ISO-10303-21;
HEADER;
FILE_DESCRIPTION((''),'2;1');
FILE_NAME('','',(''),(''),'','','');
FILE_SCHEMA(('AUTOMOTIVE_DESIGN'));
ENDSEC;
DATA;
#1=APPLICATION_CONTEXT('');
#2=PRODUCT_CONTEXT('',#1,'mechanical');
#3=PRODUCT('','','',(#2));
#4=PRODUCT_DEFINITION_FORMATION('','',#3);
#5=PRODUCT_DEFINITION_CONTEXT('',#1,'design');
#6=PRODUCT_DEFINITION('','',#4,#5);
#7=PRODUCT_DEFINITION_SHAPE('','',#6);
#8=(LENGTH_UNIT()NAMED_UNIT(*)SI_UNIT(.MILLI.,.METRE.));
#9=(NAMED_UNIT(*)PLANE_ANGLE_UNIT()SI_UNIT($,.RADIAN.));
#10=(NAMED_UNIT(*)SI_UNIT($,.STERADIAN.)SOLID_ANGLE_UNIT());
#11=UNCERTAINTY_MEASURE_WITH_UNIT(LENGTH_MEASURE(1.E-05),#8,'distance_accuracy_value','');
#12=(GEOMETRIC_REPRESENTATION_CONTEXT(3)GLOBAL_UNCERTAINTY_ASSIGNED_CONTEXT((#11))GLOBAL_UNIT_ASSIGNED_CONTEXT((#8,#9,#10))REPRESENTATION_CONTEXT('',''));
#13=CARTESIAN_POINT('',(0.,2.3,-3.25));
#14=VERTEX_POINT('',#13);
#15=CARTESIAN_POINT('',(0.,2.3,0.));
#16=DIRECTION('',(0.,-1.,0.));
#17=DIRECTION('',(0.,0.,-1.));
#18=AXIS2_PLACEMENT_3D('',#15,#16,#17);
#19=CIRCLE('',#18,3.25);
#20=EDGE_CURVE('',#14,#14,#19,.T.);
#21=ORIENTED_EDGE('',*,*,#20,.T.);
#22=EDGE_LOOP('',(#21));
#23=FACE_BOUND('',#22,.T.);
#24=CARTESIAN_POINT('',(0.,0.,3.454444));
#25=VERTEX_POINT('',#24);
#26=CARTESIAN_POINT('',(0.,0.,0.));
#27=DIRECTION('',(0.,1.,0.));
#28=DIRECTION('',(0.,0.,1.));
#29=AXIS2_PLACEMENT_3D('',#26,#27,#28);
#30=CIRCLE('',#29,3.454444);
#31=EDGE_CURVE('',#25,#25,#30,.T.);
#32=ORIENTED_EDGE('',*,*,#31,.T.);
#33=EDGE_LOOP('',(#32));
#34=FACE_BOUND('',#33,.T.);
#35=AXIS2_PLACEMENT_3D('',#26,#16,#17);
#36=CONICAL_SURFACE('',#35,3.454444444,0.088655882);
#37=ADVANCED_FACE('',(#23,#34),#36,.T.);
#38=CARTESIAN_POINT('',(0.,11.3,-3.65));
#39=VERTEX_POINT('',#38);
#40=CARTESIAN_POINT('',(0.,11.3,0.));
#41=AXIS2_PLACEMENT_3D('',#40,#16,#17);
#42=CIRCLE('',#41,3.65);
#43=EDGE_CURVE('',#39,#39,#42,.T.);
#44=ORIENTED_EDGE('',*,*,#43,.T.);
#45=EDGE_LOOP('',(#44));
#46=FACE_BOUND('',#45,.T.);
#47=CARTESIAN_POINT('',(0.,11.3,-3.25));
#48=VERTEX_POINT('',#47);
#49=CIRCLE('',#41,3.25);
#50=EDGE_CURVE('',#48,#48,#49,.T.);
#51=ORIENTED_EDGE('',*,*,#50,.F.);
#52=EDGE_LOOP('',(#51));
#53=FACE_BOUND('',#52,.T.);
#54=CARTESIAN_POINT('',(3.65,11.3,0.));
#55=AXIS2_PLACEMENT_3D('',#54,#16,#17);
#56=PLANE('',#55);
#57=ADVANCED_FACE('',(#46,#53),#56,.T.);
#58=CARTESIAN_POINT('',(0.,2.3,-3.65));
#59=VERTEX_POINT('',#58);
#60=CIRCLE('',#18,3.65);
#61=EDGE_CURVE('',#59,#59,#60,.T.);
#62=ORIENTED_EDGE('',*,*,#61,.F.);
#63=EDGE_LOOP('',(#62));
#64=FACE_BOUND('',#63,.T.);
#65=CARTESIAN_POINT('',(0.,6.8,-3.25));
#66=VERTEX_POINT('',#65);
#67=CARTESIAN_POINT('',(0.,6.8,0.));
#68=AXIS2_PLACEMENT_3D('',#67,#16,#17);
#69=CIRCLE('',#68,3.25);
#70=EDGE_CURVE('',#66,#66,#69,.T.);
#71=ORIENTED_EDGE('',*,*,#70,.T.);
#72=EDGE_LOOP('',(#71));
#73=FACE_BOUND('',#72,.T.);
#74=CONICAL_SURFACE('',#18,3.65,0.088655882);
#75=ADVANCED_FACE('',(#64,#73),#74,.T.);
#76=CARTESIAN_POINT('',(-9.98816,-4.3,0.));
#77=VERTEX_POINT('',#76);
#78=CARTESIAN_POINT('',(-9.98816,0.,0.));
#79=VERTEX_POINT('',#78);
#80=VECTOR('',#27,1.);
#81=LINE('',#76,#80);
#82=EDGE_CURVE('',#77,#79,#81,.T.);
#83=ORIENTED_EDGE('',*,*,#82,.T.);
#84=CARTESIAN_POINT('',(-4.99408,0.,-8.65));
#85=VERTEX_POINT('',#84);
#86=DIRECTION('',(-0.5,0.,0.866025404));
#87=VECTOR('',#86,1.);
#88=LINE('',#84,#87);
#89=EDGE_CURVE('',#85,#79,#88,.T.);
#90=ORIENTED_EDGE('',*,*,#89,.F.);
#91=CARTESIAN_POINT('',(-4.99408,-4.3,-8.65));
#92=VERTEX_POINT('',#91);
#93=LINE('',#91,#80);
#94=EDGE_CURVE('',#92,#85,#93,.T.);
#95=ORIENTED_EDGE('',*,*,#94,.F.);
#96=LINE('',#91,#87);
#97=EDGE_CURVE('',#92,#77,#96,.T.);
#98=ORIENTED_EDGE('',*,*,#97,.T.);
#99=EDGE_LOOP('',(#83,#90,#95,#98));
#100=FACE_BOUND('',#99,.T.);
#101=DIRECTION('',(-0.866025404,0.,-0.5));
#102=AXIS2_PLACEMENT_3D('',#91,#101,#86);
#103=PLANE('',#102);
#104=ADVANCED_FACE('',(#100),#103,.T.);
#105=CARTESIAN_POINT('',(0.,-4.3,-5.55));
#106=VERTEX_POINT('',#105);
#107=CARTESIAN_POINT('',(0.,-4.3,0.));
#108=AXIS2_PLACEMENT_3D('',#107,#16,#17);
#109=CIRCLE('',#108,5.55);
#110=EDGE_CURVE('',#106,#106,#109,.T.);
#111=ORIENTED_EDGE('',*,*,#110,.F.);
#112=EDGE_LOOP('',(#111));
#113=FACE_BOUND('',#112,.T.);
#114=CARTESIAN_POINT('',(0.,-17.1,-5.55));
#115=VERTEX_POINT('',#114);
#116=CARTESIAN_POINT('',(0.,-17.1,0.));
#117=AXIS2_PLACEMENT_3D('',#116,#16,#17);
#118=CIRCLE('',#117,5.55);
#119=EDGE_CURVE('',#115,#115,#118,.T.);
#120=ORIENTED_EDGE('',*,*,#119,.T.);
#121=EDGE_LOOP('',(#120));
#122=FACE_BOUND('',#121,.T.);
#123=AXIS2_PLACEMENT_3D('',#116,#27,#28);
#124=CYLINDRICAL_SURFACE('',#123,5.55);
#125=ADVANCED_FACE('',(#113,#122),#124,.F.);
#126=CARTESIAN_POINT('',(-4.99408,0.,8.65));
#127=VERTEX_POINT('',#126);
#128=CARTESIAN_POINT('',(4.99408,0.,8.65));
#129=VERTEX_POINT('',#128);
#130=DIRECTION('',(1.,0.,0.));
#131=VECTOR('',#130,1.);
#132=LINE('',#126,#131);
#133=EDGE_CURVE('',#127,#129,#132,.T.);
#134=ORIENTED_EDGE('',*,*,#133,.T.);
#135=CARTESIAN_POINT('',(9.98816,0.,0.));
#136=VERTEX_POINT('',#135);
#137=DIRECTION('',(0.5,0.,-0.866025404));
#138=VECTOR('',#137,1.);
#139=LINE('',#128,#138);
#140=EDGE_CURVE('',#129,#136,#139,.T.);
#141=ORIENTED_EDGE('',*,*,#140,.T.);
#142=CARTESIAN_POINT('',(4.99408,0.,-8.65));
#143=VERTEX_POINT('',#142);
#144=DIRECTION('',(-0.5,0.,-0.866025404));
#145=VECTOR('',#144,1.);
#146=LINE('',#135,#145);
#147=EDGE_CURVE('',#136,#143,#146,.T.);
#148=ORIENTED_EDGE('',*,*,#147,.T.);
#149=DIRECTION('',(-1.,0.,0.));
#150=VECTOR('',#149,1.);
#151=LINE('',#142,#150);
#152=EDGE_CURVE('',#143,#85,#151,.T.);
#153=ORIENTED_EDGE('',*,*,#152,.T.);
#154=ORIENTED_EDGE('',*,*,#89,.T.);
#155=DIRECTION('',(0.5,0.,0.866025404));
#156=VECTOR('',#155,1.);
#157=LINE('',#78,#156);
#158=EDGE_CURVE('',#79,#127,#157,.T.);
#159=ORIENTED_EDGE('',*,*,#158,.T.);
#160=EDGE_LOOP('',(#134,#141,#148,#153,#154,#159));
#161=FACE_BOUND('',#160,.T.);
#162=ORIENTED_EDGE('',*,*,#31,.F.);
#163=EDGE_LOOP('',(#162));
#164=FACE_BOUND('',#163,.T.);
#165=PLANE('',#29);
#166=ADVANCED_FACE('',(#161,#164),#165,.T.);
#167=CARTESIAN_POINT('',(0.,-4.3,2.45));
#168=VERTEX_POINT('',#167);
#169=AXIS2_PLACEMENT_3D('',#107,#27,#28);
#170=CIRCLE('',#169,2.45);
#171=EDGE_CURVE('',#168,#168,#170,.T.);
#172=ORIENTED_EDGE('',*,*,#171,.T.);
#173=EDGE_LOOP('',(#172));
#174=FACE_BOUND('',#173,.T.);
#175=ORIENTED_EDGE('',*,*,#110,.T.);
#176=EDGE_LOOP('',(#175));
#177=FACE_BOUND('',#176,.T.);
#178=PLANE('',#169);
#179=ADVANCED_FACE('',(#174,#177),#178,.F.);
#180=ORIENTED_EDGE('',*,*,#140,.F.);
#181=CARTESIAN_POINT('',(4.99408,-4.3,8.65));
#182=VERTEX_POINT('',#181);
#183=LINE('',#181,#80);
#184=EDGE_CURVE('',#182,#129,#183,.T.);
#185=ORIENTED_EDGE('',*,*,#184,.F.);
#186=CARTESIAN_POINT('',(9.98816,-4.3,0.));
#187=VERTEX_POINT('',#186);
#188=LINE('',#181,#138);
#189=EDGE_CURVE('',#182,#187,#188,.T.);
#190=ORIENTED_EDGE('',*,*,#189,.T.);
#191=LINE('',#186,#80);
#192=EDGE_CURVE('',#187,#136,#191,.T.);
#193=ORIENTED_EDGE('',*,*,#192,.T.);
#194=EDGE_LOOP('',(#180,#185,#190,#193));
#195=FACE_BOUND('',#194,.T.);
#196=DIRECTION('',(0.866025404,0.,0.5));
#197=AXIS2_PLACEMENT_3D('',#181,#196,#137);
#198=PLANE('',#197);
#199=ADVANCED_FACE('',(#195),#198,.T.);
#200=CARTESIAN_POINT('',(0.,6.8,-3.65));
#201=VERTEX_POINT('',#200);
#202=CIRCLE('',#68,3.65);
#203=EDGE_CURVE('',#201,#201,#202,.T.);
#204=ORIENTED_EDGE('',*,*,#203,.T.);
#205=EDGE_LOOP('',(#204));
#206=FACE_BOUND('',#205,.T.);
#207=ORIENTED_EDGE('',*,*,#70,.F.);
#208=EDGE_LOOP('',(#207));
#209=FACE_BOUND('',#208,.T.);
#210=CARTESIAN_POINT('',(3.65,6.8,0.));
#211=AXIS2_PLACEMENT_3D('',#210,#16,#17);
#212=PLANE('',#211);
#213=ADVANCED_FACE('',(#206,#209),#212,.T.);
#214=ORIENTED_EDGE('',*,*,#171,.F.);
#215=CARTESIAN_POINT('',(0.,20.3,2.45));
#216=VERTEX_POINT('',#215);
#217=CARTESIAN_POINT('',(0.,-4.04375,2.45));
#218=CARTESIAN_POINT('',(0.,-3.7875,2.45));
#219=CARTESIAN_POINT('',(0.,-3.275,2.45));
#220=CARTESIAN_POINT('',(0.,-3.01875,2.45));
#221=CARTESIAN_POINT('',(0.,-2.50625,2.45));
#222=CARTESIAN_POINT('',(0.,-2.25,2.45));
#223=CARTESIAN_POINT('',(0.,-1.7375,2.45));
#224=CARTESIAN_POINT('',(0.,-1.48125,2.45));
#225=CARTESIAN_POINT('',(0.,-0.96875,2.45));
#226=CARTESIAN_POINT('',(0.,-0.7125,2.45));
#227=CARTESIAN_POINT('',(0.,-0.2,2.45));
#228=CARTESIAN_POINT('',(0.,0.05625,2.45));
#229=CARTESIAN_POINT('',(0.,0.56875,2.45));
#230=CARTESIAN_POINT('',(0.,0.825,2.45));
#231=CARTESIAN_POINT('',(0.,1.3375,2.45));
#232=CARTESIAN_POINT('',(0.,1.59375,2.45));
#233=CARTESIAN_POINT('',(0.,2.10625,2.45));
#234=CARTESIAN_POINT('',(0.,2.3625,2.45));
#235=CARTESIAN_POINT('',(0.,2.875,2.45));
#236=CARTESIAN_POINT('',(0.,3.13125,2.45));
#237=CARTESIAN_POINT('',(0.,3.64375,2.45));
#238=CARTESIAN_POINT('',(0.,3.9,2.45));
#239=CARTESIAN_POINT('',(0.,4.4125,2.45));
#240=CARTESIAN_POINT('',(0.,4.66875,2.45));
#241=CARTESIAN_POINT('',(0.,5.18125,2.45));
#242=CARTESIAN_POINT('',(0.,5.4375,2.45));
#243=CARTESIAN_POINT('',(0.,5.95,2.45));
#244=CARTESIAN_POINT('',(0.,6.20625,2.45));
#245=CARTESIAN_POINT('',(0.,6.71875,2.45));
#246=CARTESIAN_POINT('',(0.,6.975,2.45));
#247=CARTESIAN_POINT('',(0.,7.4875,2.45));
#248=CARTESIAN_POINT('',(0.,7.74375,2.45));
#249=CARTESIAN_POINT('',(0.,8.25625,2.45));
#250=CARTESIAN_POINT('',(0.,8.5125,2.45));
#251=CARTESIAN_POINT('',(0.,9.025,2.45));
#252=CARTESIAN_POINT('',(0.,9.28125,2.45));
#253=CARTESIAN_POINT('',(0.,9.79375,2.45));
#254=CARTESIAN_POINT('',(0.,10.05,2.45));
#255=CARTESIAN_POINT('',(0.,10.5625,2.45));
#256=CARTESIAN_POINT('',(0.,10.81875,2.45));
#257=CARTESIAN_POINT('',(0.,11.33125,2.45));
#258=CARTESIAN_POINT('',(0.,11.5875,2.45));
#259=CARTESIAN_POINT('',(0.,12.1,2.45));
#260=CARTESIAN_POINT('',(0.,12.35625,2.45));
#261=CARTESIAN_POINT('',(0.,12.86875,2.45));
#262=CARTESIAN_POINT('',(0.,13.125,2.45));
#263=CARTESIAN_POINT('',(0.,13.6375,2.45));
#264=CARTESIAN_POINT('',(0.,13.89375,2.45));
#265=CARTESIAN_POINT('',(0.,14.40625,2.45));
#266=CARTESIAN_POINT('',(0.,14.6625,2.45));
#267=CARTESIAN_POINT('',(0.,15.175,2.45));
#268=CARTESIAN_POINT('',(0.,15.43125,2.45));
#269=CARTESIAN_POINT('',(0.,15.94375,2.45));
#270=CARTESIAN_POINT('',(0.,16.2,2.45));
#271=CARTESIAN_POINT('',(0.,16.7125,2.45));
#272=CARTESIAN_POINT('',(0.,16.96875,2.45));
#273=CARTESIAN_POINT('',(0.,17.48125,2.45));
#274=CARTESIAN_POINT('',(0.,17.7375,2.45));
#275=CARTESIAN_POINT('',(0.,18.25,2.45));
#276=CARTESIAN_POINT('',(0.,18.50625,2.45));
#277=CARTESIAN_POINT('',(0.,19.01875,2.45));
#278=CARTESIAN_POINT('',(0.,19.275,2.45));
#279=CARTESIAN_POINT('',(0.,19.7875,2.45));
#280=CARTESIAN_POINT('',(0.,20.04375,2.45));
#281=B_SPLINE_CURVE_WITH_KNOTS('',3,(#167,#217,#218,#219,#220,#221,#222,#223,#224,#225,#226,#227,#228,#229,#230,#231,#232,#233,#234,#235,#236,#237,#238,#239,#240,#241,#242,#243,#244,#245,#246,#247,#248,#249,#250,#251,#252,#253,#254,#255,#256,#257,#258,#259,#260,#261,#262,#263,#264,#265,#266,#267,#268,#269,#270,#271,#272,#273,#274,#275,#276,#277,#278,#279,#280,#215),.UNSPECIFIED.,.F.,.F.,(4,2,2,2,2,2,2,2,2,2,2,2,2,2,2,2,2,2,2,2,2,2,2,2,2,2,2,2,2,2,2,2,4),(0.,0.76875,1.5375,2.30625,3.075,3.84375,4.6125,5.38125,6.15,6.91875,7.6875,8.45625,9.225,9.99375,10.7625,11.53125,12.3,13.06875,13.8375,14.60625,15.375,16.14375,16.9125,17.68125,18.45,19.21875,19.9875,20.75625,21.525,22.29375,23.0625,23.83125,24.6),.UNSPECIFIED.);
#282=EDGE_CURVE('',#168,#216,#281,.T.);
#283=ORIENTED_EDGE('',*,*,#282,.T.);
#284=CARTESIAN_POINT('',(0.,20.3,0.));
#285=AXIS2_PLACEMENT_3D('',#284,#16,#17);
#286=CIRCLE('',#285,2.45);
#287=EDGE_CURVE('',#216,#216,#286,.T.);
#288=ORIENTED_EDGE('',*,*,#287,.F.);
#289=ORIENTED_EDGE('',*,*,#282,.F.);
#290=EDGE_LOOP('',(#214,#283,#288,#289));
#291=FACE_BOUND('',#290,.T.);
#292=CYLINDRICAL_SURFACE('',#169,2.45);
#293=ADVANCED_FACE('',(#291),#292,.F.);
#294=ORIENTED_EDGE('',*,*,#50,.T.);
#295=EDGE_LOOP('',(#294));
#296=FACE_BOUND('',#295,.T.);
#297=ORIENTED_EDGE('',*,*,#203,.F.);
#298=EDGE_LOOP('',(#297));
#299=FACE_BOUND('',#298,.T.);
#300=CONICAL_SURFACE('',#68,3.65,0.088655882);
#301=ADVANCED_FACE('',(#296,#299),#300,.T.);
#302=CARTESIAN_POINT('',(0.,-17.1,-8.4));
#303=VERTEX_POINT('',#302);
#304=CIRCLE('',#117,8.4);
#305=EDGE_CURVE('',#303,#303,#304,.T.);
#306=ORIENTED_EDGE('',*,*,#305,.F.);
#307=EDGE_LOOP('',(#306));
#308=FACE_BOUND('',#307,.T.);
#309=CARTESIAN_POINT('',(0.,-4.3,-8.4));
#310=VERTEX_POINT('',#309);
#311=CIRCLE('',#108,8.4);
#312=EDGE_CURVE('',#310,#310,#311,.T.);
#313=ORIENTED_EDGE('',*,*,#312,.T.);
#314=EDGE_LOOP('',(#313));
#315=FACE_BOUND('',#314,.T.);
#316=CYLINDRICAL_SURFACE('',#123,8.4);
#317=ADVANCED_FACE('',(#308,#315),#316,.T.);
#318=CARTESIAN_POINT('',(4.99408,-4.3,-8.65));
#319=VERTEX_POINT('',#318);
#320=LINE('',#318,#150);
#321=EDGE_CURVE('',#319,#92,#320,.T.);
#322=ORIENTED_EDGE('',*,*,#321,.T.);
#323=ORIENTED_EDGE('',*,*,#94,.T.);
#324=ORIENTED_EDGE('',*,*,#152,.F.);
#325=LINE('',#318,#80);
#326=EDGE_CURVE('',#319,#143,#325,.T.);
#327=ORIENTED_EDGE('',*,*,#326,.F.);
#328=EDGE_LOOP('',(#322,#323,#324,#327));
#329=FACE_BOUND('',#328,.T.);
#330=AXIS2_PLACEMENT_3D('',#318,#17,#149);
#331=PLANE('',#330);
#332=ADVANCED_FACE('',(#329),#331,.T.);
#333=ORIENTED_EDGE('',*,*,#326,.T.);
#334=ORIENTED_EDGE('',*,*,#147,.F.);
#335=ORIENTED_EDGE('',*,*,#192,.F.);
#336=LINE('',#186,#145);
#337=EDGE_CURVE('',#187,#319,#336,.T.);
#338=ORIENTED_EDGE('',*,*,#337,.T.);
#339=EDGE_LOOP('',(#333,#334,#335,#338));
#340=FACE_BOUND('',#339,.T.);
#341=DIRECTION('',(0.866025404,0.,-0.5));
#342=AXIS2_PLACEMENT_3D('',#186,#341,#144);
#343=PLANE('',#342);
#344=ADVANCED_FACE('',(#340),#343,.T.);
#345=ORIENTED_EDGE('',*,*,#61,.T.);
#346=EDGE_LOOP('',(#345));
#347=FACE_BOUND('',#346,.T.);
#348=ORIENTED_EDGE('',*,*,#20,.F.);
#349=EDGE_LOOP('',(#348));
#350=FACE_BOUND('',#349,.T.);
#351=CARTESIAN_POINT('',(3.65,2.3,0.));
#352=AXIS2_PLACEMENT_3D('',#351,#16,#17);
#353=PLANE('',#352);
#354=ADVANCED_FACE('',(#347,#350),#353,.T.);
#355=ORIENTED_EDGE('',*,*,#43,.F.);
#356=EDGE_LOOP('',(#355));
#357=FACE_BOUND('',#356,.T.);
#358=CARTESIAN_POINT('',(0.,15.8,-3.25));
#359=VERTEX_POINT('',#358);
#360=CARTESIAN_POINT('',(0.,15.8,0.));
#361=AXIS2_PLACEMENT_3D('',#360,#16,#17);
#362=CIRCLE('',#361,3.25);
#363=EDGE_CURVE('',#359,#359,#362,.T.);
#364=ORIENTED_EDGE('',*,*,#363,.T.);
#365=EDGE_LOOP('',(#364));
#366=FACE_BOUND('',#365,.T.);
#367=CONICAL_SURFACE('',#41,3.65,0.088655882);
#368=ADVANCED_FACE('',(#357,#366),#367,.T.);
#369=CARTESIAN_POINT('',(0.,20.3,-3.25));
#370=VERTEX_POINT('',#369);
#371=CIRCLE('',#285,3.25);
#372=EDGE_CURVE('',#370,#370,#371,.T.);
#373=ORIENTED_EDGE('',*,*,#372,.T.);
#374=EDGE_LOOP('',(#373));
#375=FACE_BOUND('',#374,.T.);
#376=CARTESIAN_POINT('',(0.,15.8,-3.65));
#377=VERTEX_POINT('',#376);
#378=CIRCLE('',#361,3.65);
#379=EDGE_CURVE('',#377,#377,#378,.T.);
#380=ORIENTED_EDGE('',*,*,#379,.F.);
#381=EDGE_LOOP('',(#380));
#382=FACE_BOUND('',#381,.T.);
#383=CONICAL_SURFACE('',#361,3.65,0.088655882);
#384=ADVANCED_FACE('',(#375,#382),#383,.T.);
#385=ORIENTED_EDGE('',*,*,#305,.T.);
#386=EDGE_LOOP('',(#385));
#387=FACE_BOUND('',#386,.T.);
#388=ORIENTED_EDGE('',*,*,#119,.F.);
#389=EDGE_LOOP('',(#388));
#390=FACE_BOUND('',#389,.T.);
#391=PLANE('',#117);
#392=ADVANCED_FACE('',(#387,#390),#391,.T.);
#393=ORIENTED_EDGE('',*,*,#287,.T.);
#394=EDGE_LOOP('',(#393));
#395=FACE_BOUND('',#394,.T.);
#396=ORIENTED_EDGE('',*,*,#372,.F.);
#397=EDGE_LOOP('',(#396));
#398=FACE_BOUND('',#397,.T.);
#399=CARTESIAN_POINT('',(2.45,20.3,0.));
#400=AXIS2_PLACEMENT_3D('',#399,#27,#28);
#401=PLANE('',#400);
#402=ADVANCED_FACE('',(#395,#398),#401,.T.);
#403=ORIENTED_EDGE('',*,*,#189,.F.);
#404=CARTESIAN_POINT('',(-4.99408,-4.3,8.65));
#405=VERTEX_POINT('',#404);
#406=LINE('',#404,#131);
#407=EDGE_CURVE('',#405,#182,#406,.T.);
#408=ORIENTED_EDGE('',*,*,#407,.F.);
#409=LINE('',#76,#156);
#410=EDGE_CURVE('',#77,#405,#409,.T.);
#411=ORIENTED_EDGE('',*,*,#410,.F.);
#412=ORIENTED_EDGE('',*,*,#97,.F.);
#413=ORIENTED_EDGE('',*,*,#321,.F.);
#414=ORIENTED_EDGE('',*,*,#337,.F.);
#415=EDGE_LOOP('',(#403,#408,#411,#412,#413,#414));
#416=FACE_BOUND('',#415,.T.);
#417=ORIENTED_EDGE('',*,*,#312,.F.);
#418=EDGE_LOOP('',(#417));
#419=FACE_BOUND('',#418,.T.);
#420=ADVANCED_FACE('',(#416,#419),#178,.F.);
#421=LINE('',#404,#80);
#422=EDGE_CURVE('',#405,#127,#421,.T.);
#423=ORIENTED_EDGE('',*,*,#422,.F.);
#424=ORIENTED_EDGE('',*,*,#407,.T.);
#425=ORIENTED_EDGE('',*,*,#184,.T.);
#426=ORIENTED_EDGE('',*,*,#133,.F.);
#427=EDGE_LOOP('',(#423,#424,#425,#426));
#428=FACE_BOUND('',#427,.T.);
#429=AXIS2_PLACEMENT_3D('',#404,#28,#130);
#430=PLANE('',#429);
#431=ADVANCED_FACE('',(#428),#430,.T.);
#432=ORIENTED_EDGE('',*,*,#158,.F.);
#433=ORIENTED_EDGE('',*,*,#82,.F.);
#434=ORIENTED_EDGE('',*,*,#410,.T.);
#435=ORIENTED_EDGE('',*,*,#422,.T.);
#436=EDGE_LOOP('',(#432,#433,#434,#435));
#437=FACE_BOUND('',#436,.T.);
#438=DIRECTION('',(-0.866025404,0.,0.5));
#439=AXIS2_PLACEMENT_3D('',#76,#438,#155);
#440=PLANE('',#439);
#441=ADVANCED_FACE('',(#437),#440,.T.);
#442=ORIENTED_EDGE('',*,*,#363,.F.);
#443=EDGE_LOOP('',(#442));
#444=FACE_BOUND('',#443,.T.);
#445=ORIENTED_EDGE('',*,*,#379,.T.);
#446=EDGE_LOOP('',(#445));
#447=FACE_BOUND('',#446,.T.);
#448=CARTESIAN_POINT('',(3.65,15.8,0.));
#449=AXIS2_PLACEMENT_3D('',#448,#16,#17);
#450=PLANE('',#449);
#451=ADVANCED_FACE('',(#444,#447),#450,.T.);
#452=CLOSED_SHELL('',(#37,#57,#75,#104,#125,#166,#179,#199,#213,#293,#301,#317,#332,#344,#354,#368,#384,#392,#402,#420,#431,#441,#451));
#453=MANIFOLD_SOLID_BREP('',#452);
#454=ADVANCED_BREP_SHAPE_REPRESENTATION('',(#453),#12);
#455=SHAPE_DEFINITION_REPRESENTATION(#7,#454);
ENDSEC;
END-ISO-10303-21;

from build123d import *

# Parameters (mm, degrees)
SKETCH1_R           = 2.45
BOSS_EXTRUDE1_DEPTH = 4.3
LOWER_THREADS_R     = 8.4
LOWER_THREADS_R_2   = 5.55
BOSS_EXTRUDE2_DEPTH = 12.8


with BuildPart() as part:
    # Sketch1 → Boss-Extrude1 (new body)
    with BuildSketch(Plane(origin=(0, 0, 0), x_dir=(1, 0, 0), z_dir=(0, 1, 0))):
        Polygon((9.988159657, 0), (4.994079828, 8.65), (-4.994079828, 8.65), (-9.988159657, 0), (-4.994079828, -8.65), (4.994079828, -8.65), align=None)
        with Locations(Location((0, 0, 0), (0, 0, 270))):
            Circle(SKETCH1_R, mode=Mode.SUBTRACT)
    extrude(amount=-BOSS_EXTRUDE1_DEPTH)

    # Sketch2 → Revolve1 (revolve)
    with BuildSketch(Plane.XY, mode=Mode.PRIVATE) as revolve1_sk:
        Polygon((2.45, 0), (2.45, 20.3), (3.25, 20.3), (3.65, 15.8), (3.25, 15.8), (3.65, 11.3), (3.25, 11.3), (3.65, 6.8), (3.25, 6.8), (3.65, 2.3), (3.25, 2.3), (3.454444444, 0), align=None)
    revolve(revolve1_sk.sketch.rotate(Axis((0, -1.995266411, 0), (0, 1, 0)), 90), axis=Axis((0, -1.995266411, 0), (0, 1, 0)))

    # Lower Threads → Boss-Extrude2 (add)
    with BuildSketch(Plane.XZ.offset(4.3)):
        with Locations(Location((0, 0, 0), (0, 0, 270))):
            Circle(LOWER_THREADS_R)
        with Locations(Location((0, 0, 0), (0, 0, 270))):
            Circle(LOWER_THREADS_R_2, mode=Mode.SUBTRACT)
    extrude(amount=BOSS_EXTRUDE2_DEPTH)


solid = part.part
